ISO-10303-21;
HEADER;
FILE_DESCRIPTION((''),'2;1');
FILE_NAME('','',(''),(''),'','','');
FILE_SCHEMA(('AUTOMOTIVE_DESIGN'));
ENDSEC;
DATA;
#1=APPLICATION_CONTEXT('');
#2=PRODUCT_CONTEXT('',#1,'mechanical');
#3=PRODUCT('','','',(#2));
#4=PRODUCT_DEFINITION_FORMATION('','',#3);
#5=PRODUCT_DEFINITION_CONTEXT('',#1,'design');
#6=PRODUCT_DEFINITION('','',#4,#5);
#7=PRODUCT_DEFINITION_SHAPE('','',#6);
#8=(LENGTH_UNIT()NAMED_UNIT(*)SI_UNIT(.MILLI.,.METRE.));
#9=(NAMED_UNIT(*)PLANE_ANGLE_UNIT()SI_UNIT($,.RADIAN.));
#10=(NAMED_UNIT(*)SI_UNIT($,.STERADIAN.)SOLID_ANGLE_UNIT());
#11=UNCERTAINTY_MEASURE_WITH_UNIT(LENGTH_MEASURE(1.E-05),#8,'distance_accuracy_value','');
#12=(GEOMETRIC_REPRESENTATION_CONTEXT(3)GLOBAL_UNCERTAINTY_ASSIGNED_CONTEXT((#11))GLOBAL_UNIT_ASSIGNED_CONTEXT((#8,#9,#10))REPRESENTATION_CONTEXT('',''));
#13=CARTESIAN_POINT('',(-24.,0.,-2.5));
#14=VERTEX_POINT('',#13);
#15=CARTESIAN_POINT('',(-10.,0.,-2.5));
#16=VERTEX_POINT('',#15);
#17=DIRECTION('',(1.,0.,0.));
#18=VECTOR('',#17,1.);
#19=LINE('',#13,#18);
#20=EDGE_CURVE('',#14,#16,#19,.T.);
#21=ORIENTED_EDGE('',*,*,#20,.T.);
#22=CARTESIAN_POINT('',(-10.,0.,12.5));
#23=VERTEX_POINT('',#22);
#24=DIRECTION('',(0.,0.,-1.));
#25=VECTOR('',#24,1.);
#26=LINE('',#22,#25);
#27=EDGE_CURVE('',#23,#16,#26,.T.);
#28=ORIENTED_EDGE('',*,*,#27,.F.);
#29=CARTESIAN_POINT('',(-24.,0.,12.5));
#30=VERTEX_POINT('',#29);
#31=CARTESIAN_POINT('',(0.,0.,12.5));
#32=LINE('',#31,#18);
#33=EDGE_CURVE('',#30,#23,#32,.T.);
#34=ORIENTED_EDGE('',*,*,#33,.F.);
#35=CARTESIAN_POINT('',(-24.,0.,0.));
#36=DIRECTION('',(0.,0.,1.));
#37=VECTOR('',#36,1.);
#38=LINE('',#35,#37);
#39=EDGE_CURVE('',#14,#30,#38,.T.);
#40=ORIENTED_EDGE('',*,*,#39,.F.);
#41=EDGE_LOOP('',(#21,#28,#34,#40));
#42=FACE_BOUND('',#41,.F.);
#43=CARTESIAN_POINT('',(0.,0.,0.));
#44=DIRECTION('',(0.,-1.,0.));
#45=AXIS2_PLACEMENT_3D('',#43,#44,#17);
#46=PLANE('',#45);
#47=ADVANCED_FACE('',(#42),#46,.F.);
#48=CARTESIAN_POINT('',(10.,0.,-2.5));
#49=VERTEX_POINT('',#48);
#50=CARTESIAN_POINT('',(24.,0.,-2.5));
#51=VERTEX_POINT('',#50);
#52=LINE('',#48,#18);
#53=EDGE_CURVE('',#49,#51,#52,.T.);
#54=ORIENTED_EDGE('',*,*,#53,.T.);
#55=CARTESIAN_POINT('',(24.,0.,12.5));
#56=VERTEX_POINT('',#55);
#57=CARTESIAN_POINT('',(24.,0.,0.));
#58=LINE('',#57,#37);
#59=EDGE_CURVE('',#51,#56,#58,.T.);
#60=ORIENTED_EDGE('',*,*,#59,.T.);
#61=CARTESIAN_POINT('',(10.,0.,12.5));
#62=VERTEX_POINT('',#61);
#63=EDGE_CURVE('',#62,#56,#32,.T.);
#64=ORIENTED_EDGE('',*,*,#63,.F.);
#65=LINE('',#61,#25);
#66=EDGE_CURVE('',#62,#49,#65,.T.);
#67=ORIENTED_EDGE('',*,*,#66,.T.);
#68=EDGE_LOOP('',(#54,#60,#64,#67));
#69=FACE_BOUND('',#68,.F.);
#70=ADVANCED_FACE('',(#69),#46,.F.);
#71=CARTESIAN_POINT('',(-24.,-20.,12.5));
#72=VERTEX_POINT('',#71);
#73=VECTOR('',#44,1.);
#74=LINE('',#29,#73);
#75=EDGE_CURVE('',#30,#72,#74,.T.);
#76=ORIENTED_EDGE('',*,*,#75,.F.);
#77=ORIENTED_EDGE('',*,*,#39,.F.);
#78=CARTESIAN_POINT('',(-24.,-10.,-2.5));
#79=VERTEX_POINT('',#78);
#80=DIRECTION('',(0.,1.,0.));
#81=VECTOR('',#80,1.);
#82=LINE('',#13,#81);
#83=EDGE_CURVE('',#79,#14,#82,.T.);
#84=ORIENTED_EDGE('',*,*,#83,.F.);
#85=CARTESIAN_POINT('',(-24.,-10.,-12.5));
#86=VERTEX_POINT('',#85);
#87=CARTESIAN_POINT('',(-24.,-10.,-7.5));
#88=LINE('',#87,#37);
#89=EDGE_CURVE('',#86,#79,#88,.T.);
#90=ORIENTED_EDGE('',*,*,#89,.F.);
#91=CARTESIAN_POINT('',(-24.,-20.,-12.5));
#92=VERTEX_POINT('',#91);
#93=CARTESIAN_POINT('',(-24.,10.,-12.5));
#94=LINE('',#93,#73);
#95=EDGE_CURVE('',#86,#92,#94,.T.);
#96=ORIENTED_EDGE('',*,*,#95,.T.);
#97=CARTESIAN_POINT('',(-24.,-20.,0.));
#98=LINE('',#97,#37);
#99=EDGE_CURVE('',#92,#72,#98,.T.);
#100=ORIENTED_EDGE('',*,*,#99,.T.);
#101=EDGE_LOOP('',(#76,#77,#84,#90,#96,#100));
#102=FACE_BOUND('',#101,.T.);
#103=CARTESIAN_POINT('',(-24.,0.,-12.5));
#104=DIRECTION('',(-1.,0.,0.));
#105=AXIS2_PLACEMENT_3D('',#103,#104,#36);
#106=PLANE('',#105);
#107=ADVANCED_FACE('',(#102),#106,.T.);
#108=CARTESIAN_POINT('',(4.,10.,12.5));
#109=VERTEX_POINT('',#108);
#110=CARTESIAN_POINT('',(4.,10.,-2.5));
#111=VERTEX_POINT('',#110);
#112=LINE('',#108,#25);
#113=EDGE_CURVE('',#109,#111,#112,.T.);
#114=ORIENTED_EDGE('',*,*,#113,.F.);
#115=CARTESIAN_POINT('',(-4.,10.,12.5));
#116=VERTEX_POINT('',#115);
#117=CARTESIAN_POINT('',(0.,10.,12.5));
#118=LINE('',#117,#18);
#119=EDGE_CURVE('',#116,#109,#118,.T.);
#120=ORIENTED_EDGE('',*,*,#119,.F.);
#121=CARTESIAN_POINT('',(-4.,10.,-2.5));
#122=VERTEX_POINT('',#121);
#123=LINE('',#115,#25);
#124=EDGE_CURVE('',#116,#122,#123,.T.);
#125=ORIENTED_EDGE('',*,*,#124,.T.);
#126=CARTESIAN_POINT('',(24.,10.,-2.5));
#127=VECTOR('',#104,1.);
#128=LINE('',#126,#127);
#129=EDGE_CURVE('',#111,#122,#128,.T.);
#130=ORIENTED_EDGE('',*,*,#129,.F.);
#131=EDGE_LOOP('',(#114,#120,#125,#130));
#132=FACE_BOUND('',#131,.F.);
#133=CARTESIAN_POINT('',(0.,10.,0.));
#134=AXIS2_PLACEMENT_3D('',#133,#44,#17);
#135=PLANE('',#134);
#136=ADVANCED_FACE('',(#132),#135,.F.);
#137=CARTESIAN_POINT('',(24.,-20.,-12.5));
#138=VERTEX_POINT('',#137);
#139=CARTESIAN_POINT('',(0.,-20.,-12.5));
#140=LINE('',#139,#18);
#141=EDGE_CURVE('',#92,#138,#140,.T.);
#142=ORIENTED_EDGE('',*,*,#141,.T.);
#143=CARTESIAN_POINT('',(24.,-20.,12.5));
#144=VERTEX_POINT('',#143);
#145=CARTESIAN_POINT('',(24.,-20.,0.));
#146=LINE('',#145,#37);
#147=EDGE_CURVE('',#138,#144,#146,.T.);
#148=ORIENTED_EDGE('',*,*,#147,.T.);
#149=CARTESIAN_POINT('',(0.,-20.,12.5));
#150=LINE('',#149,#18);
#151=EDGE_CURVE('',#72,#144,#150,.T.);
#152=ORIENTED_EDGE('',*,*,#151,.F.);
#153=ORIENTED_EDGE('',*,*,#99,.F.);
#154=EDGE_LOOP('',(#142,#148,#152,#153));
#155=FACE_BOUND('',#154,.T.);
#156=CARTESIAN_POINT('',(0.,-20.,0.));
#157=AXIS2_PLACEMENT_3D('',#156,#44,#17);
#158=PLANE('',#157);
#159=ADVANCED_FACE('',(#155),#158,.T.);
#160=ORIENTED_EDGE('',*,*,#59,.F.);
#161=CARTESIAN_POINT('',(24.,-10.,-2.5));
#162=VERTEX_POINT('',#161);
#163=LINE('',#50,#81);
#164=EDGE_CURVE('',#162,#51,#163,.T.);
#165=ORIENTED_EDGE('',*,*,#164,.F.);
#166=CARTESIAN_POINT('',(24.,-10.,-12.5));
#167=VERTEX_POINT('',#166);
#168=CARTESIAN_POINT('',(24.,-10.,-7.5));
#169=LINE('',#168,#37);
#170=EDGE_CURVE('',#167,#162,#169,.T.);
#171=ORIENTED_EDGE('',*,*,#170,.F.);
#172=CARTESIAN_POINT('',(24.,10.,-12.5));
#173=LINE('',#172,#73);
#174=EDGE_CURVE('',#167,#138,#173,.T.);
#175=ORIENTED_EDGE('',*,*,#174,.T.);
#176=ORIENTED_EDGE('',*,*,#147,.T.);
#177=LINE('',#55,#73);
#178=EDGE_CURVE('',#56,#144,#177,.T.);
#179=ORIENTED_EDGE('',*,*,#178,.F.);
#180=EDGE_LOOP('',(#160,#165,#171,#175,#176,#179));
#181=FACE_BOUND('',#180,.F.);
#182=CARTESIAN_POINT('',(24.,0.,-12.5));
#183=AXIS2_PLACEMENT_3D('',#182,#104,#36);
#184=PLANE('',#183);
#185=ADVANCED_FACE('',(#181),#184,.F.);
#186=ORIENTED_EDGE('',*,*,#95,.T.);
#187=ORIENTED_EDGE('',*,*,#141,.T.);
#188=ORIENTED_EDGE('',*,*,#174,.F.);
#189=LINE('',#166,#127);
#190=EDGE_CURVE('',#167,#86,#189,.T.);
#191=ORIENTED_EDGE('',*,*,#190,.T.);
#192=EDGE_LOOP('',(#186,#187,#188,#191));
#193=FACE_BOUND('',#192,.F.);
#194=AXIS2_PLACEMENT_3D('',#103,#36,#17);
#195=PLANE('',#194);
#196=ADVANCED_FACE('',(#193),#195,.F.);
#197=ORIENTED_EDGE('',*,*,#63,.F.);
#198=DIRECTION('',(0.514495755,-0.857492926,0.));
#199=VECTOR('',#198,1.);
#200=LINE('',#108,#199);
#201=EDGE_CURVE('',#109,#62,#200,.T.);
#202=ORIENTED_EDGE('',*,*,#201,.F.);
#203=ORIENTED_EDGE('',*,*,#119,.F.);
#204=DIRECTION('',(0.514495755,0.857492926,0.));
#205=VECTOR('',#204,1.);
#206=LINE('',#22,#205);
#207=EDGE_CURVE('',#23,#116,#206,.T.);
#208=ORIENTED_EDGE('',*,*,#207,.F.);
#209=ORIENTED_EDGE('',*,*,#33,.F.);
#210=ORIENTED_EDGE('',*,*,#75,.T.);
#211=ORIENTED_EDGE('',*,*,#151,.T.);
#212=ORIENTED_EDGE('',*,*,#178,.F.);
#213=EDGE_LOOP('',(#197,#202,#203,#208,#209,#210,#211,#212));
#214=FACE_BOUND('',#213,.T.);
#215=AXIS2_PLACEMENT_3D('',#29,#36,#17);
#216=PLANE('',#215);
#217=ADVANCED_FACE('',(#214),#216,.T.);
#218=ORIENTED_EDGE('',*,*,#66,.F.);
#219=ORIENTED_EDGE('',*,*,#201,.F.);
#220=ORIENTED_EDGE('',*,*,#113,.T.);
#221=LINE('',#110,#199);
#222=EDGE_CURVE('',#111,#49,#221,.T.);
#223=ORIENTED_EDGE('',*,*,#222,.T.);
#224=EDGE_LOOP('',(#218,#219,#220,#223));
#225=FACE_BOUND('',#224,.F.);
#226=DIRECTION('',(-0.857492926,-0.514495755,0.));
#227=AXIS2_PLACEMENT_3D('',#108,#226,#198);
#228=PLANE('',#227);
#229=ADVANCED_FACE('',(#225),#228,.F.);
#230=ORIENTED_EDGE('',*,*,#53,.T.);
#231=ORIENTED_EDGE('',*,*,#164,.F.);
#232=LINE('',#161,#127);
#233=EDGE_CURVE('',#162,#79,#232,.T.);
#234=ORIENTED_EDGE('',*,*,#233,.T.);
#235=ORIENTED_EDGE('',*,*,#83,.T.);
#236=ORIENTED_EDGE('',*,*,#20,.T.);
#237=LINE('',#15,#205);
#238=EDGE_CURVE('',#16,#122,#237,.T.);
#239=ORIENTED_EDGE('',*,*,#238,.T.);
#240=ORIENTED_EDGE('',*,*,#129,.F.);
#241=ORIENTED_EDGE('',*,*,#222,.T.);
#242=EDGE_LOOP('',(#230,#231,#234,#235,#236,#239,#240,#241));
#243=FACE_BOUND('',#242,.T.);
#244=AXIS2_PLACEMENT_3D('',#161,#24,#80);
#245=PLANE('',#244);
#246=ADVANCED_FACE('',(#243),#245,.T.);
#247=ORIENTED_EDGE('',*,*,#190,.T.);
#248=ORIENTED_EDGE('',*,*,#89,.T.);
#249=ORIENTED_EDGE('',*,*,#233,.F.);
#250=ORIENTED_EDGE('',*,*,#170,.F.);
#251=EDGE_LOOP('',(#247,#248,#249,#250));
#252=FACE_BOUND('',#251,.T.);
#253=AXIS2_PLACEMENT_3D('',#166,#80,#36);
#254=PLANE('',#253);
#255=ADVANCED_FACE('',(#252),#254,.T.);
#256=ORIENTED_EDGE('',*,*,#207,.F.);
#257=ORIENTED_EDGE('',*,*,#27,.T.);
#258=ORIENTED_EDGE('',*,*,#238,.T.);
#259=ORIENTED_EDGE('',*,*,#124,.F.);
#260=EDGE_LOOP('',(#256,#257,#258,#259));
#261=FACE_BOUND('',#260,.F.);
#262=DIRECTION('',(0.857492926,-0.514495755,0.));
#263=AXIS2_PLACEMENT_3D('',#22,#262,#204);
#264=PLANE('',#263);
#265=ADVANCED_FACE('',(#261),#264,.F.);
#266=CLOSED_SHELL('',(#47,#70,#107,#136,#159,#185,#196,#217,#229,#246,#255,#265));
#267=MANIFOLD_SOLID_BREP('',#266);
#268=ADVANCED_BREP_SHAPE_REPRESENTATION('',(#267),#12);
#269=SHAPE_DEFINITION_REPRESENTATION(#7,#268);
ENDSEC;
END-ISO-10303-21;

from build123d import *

# Parameters (mm, degrees)
F0_W     = 48
F0_H     = 25
F1_DEPTH = 10
F3_DEPTH = 15
F4_DEPTH = 20
F5_W     = 20
F5_H     = 10
F6_DEPTH = 48


with BuildPart() as f1:
    # F0 (on Front) → F1 (new body)
    with BuildSketch(Plane.XZ):
        Rectangle(F0_W, F0_H)
    extrude(amount=-F1_DEPTH)

    # F2 (on face) → F3 (cut)
    with BuildSketch(Plane.XY.offset(12.5)):
        Polygon((-24, 0), (-10, 0), (-4, 10), (-24, 10), align=None)
        Polygon((4, 10), (10, 0), (24, 0), (24, 10), align=None)
    extrude(amount=-F3_DEPTH, mode=Mode.SUBTRACT)

    # F0 (on Front) → F4 (join)
    with BuildSketch(Plane.XZ):
        Rectangle(F0_W, F0_H)
    extrude(amount=F4_DEPTH)

    # F5 (on face) → F6 (cut)
    with BuildSketch(Plane.YZ.offset(24)):
        with Locations((0, -7.5)):
            Rectangle(F5_W, F5_H)
    extrude(amount=-F6_DEPTH, mode=Mode.SUBTRACT)


solid = f1.part
